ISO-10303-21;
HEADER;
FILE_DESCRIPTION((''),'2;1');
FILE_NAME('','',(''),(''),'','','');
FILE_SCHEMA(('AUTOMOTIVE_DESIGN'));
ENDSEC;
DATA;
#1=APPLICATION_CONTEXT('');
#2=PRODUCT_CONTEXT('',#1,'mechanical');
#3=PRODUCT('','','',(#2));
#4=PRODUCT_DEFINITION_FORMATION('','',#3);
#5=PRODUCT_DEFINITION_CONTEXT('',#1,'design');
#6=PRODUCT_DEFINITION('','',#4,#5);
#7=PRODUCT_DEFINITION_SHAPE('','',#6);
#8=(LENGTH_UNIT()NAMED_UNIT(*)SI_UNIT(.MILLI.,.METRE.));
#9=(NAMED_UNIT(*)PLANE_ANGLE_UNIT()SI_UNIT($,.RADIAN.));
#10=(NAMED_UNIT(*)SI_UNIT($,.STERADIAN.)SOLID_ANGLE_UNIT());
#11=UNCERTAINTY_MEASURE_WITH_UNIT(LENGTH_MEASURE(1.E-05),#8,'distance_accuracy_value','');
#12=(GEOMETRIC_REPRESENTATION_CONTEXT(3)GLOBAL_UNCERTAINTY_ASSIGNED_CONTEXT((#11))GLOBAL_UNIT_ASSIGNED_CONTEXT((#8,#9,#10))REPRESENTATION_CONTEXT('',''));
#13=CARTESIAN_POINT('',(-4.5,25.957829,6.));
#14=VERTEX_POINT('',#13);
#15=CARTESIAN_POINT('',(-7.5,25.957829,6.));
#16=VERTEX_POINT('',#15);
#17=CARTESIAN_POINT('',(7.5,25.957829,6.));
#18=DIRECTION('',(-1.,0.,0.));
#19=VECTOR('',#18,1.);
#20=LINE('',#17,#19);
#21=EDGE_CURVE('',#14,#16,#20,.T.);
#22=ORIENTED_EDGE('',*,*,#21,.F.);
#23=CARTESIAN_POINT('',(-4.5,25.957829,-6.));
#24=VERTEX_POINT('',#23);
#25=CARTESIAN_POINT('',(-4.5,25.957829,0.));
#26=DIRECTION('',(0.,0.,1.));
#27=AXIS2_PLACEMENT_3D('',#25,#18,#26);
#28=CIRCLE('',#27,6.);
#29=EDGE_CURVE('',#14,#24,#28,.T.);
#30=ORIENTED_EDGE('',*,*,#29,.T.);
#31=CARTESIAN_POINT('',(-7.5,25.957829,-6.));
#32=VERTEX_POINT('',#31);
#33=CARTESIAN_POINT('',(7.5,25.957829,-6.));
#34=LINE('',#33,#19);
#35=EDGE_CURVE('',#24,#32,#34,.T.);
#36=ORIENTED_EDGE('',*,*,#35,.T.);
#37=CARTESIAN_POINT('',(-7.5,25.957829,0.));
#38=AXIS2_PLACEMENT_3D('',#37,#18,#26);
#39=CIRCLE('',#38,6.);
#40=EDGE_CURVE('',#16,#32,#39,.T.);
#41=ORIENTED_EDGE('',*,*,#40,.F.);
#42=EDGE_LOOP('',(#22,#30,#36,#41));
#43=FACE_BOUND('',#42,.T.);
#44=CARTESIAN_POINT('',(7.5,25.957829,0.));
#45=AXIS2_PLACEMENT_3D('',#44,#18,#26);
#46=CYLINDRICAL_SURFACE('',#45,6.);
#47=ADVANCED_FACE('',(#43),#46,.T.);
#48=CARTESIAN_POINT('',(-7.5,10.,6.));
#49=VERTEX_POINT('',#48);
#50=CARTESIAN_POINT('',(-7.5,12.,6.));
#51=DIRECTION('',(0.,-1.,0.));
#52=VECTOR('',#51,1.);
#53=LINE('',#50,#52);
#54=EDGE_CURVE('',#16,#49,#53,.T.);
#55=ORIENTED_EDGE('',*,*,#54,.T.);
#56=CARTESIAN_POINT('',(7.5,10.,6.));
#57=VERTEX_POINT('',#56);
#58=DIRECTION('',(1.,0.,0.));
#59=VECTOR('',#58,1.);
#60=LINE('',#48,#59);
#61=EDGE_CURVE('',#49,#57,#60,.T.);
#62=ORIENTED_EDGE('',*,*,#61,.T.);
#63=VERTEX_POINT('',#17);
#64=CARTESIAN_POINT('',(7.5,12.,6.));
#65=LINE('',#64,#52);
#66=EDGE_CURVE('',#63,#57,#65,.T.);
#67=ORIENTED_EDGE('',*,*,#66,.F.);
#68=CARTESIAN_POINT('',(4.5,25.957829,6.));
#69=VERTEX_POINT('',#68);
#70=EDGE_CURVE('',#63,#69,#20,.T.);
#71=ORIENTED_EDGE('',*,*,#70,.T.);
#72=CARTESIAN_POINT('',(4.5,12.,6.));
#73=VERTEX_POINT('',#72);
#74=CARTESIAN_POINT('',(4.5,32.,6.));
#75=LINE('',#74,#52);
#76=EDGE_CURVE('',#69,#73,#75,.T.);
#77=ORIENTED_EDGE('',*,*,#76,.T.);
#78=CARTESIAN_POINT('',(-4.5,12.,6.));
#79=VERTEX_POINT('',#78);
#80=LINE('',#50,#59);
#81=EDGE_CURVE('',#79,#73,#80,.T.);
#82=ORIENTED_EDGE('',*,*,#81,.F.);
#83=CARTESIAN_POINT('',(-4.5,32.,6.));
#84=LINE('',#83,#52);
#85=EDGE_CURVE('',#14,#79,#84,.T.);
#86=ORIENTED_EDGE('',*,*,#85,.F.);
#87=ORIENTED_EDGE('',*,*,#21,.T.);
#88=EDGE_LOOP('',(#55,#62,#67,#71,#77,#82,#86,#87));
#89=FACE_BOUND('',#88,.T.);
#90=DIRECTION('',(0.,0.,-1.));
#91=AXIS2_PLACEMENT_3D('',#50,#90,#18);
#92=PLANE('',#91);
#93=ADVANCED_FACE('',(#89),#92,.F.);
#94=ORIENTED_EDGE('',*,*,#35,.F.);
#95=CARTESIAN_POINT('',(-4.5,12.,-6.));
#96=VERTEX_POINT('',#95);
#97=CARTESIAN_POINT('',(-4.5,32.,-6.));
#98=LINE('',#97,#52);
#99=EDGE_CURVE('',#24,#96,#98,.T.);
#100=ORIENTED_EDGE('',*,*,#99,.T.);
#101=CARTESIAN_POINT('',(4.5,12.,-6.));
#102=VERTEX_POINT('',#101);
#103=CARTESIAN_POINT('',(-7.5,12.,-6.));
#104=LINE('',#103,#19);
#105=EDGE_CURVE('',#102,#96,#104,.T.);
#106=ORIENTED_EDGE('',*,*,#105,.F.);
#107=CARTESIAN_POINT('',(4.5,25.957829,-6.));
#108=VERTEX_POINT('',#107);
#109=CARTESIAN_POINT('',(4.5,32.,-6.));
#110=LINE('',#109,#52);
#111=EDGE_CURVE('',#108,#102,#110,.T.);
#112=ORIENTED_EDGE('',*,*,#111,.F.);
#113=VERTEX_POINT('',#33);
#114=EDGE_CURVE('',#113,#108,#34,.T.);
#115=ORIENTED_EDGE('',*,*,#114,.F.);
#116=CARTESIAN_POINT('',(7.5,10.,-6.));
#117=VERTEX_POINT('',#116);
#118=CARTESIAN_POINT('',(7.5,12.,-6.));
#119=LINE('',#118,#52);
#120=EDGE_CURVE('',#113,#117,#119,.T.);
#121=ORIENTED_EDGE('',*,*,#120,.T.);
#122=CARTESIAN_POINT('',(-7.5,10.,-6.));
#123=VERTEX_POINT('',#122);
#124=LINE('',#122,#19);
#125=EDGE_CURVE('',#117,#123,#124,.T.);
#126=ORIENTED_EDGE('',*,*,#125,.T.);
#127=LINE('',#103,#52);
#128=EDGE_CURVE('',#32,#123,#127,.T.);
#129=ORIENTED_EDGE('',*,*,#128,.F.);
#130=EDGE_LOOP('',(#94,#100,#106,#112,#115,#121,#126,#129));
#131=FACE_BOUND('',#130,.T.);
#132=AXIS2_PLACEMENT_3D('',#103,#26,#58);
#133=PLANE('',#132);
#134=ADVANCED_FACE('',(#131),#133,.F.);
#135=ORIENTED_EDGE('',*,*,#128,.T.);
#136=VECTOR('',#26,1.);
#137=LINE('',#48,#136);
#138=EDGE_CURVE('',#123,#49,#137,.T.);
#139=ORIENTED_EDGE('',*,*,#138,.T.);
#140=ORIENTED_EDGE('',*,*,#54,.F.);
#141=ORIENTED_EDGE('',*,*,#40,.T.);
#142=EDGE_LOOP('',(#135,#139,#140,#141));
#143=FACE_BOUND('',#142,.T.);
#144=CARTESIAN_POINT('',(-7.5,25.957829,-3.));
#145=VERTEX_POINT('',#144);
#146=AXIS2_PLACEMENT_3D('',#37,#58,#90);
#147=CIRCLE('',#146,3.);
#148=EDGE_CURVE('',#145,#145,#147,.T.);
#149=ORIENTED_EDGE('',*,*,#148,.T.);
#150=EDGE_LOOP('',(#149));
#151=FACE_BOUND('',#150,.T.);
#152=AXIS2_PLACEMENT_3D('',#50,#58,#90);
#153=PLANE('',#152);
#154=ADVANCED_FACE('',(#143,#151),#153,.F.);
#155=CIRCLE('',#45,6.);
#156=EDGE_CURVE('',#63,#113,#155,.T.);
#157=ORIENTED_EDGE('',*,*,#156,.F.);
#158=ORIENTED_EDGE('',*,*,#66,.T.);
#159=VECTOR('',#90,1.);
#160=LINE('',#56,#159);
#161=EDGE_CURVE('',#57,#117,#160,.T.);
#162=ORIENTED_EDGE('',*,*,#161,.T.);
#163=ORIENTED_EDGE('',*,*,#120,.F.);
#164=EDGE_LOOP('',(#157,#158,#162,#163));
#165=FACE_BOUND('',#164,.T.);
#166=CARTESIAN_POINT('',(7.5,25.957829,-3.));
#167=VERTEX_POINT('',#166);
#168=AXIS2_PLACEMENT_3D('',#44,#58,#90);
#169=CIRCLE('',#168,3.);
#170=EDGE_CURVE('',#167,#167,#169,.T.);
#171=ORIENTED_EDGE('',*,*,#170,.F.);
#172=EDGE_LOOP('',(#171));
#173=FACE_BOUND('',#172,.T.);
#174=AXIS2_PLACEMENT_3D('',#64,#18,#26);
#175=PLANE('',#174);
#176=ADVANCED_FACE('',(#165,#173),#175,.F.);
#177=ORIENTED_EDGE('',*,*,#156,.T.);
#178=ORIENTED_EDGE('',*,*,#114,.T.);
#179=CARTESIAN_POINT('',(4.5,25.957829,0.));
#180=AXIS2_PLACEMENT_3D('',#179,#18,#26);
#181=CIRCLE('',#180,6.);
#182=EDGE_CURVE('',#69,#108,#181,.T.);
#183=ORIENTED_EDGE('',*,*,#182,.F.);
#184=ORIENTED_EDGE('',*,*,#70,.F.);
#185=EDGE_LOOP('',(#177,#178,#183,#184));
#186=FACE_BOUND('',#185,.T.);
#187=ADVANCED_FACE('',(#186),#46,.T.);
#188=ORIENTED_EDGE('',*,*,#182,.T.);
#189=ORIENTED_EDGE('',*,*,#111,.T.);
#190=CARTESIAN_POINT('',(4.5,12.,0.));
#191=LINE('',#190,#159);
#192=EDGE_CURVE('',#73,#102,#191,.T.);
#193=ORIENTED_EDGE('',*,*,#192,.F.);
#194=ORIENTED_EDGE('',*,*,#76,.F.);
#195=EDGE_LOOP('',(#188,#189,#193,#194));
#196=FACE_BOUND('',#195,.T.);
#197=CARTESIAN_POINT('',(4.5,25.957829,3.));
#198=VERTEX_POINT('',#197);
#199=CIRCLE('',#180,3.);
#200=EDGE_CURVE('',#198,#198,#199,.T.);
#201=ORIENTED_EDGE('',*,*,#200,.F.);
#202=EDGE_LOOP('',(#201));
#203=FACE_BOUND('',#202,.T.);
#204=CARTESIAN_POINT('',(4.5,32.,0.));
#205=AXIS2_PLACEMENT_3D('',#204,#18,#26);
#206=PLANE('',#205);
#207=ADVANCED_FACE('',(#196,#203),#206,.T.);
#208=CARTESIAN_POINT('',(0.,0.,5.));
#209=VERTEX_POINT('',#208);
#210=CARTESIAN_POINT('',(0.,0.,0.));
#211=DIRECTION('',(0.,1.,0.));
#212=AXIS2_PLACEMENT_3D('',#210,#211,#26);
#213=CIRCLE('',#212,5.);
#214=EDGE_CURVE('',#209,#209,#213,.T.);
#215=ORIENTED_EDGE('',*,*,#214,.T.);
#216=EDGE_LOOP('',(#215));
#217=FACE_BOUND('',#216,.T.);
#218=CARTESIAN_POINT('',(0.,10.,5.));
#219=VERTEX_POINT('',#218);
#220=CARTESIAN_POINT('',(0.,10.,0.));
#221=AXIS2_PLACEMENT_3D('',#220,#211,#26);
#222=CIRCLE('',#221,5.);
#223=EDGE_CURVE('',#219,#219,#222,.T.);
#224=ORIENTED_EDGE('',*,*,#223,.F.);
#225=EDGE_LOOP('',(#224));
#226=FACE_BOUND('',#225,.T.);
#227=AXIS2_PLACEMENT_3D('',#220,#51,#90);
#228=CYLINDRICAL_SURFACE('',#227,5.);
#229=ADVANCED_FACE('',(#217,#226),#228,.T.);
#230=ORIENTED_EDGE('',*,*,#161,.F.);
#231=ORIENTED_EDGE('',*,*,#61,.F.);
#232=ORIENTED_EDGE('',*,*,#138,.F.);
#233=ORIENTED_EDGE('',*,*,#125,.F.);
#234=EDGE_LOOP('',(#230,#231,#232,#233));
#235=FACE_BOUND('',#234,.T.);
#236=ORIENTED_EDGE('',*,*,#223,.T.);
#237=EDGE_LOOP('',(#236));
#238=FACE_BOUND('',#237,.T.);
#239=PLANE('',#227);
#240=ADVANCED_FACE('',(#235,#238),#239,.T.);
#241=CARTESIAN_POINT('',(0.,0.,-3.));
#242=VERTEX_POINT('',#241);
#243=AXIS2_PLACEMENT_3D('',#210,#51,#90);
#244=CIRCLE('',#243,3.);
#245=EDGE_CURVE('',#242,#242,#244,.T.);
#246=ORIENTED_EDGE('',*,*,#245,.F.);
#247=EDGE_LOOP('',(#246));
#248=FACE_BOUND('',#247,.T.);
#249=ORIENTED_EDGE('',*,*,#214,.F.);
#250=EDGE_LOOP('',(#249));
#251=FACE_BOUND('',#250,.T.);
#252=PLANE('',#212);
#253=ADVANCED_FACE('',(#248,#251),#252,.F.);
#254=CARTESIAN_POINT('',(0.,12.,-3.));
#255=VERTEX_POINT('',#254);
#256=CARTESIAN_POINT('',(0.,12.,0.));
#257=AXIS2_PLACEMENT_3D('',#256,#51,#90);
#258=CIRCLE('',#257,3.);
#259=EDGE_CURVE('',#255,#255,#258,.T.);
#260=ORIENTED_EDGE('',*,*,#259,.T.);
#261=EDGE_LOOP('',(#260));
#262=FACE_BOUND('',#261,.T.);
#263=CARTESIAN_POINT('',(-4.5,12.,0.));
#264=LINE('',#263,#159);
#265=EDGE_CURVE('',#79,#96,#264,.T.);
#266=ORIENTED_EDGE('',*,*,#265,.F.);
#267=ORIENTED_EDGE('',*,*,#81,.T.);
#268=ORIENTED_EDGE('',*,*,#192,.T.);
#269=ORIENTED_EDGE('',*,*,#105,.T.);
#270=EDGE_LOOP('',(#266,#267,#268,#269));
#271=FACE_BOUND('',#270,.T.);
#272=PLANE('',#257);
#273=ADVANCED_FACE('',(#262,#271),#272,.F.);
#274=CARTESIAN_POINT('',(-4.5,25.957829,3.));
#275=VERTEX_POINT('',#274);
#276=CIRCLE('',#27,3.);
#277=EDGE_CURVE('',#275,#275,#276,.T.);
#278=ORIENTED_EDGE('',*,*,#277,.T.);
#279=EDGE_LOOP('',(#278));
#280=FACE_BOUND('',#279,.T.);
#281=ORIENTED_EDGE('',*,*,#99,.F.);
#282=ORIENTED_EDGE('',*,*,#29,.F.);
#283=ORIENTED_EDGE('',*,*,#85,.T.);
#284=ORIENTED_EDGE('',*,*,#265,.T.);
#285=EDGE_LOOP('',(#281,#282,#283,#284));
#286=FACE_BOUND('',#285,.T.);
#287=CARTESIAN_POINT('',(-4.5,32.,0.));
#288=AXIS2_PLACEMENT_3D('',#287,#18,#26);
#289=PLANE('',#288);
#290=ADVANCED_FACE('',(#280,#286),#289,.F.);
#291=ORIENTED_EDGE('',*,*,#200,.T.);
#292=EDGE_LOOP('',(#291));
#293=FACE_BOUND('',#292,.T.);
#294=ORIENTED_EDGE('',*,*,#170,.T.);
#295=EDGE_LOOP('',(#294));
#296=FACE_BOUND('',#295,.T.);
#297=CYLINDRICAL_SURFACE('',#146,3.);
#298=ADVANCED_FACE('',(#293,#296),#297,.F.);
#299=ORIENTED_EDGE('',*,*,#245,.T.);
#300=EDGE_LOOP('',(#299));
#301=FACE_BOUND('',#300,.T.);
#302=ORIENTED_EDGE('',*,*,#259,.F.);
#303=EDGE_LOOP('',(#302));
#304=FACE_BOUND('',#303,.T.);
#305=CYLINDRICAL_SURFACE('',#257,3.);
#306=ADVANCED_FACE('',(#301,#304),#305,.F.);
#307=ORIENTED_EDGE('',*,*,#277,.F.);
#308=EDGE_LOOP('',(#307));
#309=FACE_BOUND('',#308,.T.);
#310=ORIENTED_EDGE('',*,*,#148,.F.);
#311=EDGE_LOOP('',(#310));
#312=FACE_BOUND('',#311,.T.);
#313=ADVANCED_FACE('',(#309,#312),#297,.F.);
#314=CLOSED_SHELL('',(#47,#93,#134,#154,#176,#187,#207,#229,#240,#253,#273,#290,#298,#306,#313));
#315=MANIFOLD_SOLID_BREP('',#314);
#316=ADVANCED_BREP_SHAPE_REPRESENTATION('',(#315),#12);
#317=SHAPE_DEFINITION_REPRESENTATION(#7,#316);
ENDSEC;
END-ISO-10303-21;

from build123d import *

# Parameters (mm, degrees)
SKETCH_1_R          = 5
EXTRUDE_1_DEPTH     = 10
SKETCH_2_W          = 15
SKETCH_2_H          = 12
EXTRUDE_2_DEPTH     = 2
SKETCH_4_R          = 3
CUT_EXTRUDE_1_DEPTH = 16.370426149
SKETCH_5_W          = 3
SKETCH_5_H          = 12
EXTRUDE_3_DEPTH     = 20
SKETCH_6_OUTSIDE_W  = 21.464
SKETCH_6_OUTSIDE_H  = 41.464
CUT_EXTRUDE_2_DEPTH = 36.846896658
SKETCH_7_R          = 3
CUT_EXTRUDE_3_DEPTH = 36.809255992


with BuildPart() as part:
    # 草图1 → 凸台-拉伸1 (new body)
    with BuildSketch(Plane(origin=(0, 0, 0), x_dir=(1, 0, 0), z_dir=(0, 1, 0))):
        with Locations(Location((0, 0, 0), (0, 0, 270))):
            Circle(SKETCH_1_R)
    extrude(amount=EXTRUDE_1_DEPTH)

    # 草图2 → 凸台-拉伸2 (add)
    with BuildSketch(Plane(origin=(0, 10, 0), x_dir=(1, 0, 0), z_dir=(0, 1, 0))):
        Rectangle(SKETCH_2_W, SKETCH_2_H)
    extrude(amount=EXTRUDE_2_DEPTH)

    # 草图4 → 切除-拉伸1 (cut, through all)
    with BuildSketch(Plane(origin=(0, 0, 0), x_dir=(-1, 0, 0), z_dir=(0, -1, 0))):
        with Locations(Location((0, 0, 0), (0, 0, 90))):
            Circle(SKETCH_4_R)
    extrude(amount=-CUT_EXTRUDE_1_DEPTH, mode=Mode.SUBTRACT)

    # 草图5 → 凸台-拉伸3 (add)
    with BuildSketch(Plane(origin=(0, 12, 0), x_dir=(1, 0, 0), z_dir=(0, 1, 0))):
        with Locations((-6, 0)):
            Rectangle(SKETCH_5_W, SKETCH_5_H)
        with Locations((6, 0)):
            Rectangle(SKETCH_5_W, SKETCH_5_H)
    extrude(amount=EXTRUDE_3_DEPTH)

    # 草图6 outside → 切除-拉伸2 (cut, through all)
    with BuildSketch(Plane.ZY.offset(7.5)):
        with Locations((0, 16)):
            Rectangle(SKETCH_6_OUTSIDE_W, SKETCH_6_OUTSIDE_H)
        with BuildLine():
            Line((-6, -1.626301301), (-6, 25.957828691))
            ThreePointArc((-6, 25.957828691), (0, 31.957828691), (6, 25.957828691))
            Line((6, 25.957828691), (6, -1.626301301))
            ThreePointArc((6, -1.626301301), (0, -7.626301301), (-6, -1.626301301))
        make_face(mode=Mode.SUBTRACT)
    extrude(amount=-CUT_EXTRUDE_2_DEPTH, mode=Mode.SUBTRACT)

    # 草图7 → 切除-拉伸3 (cut, through all)
    with BuildSketch(Plane(origin=(7.5, 0, 0), x_dir=(0, 0, -1), z_dir=(1, 0, 0))):
        with Locations((0, 25.957828691)):
            Circle(SKETCH_7_R)
    extrude(amount=-CUT_EXTRUDE_3_DEPTH, mode=Mode.SUBTRACT)


solid = part.part
